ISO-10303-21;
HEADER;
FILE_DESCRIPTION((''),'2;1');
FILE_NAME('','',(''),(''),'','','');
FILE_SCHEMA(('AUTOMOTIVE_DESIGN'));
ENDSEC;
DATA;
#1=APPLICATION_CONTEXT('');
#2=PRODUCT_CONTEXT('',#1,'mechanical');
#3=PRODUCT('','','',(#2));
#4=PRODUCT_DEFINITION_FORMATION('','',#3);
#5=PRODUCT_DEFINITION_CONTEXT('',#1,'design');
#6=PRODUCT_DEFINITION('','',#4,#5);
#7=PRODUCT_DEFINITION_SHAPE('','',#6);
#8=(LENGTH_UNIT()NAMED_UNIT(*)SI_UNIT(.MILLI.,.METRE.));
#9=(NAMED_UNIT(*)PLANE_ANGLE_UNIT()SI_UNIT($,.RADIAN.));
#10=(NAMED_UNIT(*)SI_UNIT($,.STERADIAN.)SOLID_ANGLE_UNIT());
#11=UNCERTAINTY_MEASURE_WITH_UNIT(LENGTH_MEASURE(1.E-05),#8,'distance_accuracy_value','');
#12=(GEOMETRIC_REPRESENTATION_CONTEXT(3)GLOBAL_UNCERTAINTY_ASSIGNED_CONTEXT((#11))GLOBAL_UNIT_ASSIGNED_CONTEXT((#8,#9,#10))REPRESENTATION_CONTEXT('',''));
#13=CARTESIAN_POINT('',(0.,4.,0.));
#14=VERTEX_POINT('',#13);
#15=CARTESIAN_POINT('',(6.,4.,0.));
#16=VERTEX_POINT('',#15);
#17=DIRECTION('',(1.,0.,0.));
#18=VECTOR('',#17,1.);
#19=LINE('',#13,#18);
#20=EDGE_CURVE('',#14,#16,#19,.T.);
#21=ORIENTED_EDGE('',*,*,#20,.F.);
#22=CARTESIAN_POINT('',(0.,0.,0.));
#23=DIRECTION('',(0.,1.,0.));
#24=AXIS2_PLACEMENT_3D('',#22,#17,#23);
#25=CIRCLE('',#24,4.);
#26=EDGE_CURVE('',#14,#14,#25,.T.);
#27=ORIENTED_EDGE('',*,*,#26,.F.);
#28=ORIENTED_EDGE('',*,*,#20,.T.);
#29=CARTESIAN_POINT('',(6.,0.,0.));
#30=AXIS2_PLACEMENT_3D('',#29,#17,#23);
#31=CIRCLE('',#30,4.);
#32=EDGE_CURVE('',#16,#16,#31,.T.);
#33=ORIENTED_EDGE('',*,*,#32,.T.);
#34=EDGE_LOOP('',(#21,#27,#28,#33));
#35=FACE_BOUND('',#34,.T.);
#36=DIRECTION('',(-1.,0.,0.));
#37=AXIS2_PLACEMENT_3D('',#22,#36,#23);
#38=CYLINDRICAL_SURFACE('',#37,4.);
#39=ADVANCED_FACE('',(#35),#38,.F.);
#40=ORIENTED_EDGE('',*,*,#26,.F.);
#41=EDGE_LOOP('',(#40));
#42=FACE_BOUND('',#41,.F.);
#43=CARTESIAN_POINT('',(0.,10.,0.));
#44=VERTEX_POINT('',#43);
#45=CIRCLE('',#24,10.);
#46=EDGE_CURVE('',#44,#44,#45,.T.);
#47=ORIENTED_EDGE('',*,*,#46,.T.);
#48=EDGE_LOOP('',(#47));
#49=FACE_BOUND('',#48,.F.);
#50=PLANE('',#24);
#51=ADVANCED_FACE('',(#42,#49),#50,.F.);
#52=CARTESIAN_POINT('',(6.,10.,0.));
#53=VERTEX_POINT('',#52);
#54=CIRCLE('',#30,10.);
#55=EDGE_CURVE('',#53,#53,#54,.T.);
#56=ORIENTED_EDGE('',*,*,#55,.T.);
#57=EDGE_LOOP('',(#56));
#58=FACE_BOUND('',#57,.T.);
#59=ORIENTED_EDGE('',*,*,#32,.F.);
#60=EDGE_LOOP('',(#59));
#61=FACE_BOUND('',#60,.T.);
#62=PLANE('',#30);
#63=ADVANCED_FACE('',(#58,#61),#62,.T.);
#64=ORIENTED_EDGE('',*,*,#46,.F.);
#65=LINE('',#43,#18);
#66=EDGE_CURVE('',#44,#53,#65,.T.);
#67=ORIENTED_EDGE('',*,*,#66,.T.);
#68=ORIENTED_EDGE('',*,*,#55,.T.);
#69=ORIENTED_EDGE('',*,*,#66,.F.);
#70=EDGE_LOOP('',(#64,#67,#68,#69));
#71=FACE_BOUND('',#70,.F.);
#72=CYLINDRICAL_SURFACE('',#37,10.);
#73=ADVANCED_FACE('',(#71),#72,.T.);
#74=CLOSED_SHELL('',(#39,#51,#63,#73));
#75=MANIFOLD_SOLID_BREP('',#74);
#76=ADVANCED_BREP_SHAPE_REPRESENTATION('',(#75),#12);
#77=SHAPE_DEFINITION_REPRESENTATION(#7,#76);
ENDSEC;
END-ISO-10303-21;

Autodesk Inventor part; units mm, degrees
ref_plane "YZ Plane" through (0, 0, 0) normal (1, 0, 0) x (0, 1, 0)
ref_plane "XZ Plane" through (0, 0, 0) normal (0, 1, 0) x (-1, 0, 0)
ref_plane "XY Plane" through (0, 0, 0) normal (0, 0, 1) x (1, 0, 0)
sketch "Sketch1" plane through (0, 0, 0) normal (1, 0, 0) x (0, 1, 0)
  circle A0 centre (0, 0) radius 4
  circle A1 centre (0, 0) radius 10
  dimension "d0" = 8
  dimension "d1" = 20
extrude "Extrusion1" add sketch "Sketch1" along normal blind 6
properties part number "spacer"
